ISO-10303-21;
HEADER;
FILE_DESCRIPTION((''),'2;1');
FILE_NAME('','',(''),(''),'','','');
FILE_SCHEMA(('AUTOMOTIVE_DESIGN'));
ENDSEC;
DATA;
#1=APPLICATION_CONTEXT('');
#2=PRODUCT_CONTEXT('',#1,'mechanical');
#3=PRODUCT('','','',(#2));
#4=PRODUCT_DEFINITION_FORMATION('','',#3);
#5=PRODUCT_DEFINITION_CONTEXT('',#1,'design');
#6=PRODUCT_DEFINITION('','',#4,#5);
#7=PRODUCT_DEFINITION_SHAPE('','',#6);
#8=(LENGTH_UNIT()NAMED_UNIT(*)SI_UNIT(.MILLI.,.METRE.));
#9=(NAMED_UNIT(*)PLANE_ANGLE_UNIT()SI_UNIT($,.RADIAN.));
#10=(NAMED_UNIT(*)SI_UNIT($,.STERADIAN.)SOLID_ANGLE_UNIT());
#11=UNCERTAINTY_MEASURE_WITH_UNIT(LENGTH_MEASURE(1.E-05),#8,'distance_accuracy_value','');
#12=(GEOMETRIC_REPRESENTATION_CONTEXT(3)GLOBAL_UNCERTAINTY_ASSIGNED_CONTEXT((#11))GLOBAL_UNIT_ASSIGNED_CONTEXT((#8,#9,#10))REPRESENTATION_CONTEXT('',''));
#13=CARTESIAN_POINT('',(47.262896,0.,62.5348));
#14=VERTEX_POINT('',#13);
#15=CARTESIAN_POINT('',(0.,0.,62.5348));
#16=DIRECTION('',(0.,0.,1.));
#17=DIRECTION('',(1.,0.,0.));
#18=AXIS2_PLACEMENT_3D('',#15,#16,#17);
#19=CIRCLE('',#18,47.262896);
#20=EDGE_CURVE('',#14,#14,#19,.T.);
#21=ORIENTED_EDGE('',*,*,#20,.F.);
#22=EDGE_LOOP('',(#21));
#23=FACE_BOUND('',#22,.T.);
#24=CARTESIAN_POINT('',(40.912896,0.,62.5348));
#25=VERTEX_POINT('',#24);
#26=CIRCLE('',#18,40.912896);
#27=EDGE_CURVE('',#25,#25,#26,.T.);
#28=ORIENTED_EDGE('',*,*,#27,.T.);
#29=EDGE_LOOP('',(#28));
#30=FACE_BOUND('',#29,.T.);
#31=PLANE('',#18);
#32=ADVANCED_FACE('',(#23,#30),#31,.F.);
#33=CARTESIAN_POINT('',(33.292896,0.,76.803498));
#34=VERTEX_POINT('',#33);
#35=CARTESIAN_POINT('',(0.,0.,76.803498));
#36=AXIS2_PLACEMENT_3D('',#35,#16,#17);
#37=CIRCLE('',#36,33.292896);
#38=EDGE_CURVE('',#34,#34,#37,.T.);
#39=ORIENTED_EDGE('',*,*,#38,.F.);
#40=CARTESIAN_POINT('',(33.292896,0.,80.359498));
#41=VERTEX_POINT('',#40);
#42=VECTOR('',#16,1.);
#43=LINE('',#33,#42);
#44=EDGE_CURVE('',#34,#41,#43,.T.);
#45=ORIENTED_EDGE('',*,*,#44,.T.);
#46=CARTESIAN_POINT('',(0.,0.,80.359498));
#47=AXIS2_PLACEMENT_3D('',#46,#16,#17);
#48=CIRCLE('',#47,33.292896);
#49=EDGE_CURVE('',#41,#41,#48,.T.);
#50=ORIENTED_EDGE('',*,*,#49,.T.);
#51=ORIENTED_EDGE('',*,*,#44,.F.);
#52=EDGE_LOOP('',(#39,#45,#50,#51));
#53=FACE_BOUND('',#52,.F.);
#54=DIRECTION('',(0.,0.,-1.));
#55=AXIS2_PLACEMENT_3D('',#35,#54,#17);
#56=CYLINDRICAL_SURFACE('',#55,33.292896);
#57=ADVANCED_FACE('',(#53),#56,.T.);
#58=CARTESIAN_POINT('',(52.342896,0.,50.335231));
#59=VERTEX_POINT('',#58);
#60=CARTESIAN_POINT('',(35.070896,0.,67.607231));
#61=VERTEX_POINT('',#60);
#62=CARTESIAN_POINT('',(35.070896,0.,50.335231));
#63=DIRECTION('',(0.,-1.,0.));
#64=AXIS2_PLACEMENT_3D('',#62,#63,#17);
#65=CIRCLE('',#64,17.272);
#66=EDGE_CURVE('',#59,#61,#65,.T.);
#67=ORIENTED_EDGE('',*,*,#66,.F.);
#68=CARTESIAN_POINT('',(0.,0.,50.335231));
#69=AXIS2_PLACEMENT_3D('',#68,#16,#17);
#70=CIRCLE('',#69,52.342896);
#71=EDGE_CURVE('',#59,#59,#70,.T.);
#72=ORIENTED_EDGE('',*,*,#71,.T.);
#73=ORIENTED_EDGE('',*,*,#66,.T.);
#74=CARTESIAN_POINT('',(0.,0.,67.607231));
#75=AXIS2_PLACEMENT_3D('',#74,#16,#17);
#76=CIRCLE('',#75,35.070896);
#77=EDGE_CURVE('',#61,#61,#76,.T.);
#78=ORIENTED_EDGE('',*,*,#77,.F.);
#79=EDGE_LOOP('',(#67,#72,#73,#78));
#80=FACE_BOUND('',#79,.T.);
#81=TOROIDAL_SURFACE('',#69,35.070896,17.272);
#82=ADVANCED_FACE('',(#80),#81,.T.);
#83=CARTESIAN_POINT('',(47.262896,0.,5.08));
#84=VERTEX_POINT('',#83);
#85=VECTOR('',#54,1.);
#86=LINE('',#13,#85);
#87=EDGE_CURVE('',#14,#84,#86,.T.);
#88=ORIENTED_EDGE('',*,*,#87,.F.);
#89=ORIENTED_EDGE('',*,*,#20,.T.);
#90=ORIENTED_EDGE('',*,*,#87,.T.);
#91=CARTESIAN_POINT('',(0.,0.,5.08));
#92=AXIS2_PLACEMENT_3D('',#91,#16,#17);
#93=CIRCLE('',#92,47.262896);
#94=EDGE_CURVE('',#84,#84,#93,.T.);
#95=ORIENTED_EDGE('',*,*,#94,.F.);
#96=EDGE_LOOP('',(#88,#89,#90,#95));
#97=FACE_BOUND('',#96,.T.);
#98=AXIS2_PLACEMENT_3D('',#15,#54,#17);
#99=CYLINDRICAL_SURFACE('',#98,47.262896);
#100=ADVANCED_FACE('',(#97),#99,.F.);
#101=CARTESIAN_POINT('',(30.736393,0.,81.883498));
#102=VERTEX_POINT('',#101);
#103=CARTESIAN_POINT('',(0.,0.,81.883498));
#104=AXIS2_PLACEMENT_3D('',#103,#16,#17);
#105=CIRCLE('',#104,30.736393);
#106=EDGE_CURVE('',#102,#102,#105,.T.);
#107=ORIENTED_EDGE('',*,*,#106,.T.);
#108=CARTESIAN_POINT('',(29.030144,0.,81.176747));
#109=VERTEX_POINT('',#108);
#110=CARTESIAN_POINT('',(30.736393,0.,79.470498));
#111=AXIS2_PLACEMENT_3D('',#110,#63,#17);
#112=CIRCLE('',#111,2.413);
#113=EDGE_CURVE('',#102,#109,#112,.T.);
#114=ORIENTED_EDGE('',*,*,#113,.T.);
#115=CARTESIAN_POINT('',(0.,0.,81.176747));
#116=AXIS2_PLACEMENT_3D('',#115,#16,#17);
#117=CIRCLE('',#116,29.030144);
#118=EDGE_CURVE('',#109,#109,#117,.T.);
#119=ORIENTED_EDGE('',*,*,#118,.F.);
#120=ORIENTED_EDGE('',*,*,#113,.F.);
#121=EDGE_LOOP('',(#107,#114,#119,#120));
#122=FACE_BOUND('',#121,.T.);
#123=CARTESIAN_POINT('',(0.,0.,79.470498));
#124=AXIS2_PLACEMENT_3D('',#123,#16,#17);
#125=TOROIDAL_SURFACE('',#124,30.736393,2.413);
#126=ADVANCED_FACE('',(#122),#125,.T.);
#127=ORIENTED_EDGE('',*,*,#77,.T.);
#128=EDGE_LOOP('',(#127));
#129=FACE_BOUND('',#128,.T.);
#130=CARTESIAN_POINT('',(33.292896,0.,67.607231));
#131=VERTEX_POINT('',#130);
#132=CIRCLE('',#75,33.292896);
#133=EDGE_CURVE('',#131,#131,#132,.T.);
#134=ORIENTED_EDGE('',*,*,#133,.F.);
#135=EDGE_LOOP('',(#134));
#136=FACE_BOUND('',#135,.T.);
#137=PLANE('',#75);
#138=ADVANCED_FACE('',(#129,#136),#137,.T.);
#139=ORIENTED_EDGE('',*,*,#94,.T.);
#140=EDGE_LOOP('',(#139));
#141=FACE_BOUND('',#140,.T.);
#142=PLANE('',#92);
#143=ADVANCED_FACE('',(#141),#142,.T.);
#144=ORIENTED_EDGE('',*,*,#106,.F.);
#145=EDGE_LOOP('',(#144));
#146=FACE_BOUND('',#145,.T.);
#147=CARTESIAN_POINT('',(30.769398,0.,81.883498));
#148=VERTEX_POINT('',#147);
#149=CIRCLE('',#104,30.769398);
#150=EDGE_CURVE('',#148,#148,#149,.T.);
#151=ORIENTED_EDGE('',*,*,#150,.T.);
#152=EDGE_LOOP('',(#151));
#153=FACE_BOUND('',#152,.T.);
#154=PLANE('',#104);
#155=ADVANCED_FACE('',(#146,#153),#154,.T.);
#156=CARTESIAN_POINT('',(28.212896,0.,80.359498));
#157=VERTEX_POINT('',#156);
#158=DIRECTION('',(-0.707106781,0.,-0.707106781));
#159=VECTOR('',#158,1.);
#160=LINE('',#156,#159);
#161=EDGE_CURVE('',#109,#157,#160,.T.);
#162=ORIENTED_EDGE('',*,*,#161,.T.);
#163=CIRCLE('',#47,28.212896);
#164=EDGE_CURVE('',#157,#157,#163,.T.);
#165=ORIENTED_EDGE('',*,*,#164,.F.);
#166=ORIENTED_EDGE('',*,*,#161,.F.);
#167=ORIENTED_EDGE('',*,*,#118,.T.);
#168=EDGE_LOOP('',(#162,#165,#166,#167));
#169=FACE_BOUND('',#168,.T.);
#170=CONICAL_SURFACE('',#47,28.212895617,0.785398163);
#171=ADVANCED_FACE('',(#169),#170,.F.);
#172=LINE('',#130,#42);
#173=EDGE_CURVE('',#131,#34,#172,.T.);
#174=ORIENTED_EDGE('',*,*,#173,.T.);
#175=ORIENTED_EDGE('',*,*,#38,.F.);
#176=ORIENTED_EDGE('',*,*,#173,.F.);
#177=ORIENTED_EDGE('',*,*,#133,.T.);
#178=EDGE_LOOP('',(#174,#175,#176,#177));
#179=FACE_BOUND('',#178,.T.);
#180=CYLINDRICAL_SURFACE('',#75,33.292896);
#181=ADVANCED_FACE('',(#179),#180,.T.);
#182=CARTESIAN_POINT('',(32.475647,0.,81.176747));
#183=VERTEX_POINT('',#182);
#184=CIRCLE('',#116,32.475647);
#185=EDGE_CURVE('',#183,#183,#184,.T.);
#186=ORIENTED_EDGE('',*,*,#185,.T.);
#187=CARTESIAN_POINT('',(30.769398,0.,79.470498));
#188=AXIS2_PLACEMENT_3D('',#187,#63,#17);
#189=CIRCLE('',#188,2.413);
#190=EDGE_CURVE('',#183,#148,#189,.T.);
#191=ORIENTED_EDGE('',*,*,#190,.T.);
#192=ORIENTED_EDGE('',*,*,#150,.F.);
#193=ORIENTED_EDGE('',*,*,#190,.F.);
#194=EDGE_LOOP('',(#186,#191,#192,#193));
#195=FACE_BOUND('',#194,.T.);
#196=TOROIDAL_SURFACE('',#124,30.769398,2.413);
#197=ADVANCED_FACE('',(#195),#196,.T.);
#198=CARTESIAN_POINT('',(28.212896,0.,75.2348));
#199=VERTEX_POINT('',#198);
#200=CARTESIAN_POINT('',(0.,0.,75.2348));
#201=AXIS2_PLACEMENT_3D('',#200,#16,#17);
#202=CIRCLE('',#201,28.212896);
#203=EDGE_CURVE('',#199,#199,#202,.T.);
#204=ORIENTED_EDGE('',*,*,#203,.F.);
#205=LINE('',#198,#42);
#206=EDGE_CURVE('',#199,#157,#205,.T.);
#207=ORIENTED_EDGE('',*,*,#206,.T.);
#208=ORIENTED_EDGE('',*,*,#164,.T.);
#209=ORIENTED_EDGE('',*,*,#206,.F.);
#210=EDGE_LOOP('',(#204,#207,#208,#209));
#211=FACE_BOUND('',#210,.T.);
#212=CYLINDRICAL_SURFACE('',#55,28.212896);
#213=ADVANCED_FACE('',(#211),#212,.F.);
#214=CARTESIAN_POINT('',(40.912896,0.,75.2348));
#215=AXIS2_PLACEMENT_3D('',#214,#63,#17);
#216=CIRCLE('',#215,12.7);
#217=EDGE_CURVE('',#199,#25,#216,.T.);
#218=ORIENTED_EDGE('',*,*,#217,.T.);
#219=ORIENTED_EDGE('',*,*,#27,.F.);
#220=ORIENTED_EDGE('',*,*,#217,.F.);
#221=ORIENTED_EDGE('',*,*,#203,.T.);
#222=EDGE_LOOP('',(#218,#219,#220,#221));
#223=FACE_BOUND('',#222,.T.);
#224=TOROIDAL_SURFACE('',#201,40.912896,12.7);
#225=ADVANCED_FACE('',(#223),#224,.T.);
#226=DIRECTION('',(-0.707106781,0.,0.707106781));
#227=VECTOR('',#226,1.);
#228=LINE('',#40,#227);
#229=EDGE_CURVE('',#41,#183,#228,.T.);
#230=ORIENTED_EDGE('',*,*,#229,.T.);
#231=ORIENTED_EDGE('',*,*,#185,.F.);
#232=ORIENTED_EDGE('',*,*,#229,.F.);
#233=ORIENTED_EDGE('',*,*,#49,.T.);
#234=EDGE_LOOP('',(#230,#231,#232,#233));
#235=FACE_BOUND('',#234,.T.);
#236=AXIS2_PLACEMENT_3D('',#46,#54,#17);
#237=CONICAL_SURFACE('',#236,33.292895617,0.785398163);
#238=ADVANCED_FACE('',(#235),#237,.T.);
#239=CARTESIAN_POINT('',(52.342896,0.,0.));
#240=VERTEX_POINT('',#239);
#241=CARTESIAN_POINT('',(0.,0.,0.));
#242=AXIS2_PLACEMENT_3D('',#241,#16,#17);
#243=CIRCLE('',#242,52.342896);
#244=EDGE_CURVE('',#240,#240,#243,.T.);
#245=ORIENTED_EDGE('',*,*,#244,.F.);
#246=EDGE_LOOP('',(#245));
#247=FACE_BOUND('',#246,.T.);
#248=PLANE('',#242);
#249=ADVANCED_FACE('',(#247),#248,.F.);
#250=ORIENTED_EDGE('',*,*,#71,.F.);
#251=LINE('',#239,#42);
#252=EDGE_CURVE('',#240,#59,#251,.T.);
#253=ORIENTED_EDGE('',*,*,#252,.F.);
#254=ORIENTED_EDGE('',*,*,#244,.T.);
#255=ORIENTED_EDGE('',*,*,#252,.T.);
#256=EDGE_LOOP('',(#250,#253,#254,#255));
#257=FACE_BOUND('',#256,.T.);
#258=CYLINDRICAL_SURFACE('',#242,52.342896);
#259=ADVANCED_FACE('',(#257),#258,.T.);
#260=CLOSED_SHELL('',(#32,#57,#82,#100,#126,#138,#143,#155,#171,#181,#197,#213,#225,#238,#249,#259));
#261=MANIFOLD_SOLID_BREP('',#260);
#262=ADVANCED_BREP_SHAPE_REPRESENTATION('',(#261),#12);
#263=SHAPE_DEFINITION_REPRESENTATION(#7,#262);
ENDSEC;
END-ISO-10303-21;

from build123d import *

# Parameters (mm, degrees)
F2_R     = 17.272
F3_DEPTH = 5.08
F4_SIZE  = 1.524
F5_R     = 2.413
F6_R     = 12.7


with BuildPart() as f1:
    # F0 (on Front) → F1 (revolve)
    with BuildSketch(Plane.XZ):
        Polygon((0, 5.08), (0, 0), (47.2628956169, 0), (52.3428956169, 0), (52.3428956169, 67.6072314382), (33.2928956169, 67.6072314382), (33.2928956169, 76.8034979701), (28.2128956169, 76.8034979701), (28.2128956169, 62.5348), (47.2628956169, 62.5348), (47.2628956169, 5.08), align=None)
    revolve(axis=Axis((0, 0, 38.4017489851), (0, 0, 1)))

    # F2
    f2_edges = [f1.edges().sort_by_distance(p)[0] for p in [
        (-52.342896, 0, 67.607231),
    ]]
    fillet(f2_edges, radius=F2_R)

    # F3 (add): a face of the model
    f3_faces = [f1.faces().sort_by_distance(p)[0] for p in [
        (-32.3512303266, 0, 76.8034979701),
    ]]
    extrude(f3_faces, amount=F3_DEPTH)

    # F4
    f4_edges = [f1.edges().sort_by_distance(p)[0] for p in [
        (-28.212896, 0, 81.883498),
        (-33.292896, 0, 81.883498),
    ]]
    chamfer(f4_edges, length=F4_SIZE)

    # F5
    f5_edges = [f1.edges().sort_by_distance(p)[0] for p in [
        (-31.768896, 0, 81.883498),
        (-29.736896, 0, 81.883498),
    ]]
    fillet(f5_edges, radius=F5_R)

    # F6
    f6_edges = [f1.edges().sort_by_distance(p)[0] for p in [
        (-28.212896, 0, 62.5348),
    ]]
    fillet(f6_edges, radius=F6_R)


solid = f1.part
